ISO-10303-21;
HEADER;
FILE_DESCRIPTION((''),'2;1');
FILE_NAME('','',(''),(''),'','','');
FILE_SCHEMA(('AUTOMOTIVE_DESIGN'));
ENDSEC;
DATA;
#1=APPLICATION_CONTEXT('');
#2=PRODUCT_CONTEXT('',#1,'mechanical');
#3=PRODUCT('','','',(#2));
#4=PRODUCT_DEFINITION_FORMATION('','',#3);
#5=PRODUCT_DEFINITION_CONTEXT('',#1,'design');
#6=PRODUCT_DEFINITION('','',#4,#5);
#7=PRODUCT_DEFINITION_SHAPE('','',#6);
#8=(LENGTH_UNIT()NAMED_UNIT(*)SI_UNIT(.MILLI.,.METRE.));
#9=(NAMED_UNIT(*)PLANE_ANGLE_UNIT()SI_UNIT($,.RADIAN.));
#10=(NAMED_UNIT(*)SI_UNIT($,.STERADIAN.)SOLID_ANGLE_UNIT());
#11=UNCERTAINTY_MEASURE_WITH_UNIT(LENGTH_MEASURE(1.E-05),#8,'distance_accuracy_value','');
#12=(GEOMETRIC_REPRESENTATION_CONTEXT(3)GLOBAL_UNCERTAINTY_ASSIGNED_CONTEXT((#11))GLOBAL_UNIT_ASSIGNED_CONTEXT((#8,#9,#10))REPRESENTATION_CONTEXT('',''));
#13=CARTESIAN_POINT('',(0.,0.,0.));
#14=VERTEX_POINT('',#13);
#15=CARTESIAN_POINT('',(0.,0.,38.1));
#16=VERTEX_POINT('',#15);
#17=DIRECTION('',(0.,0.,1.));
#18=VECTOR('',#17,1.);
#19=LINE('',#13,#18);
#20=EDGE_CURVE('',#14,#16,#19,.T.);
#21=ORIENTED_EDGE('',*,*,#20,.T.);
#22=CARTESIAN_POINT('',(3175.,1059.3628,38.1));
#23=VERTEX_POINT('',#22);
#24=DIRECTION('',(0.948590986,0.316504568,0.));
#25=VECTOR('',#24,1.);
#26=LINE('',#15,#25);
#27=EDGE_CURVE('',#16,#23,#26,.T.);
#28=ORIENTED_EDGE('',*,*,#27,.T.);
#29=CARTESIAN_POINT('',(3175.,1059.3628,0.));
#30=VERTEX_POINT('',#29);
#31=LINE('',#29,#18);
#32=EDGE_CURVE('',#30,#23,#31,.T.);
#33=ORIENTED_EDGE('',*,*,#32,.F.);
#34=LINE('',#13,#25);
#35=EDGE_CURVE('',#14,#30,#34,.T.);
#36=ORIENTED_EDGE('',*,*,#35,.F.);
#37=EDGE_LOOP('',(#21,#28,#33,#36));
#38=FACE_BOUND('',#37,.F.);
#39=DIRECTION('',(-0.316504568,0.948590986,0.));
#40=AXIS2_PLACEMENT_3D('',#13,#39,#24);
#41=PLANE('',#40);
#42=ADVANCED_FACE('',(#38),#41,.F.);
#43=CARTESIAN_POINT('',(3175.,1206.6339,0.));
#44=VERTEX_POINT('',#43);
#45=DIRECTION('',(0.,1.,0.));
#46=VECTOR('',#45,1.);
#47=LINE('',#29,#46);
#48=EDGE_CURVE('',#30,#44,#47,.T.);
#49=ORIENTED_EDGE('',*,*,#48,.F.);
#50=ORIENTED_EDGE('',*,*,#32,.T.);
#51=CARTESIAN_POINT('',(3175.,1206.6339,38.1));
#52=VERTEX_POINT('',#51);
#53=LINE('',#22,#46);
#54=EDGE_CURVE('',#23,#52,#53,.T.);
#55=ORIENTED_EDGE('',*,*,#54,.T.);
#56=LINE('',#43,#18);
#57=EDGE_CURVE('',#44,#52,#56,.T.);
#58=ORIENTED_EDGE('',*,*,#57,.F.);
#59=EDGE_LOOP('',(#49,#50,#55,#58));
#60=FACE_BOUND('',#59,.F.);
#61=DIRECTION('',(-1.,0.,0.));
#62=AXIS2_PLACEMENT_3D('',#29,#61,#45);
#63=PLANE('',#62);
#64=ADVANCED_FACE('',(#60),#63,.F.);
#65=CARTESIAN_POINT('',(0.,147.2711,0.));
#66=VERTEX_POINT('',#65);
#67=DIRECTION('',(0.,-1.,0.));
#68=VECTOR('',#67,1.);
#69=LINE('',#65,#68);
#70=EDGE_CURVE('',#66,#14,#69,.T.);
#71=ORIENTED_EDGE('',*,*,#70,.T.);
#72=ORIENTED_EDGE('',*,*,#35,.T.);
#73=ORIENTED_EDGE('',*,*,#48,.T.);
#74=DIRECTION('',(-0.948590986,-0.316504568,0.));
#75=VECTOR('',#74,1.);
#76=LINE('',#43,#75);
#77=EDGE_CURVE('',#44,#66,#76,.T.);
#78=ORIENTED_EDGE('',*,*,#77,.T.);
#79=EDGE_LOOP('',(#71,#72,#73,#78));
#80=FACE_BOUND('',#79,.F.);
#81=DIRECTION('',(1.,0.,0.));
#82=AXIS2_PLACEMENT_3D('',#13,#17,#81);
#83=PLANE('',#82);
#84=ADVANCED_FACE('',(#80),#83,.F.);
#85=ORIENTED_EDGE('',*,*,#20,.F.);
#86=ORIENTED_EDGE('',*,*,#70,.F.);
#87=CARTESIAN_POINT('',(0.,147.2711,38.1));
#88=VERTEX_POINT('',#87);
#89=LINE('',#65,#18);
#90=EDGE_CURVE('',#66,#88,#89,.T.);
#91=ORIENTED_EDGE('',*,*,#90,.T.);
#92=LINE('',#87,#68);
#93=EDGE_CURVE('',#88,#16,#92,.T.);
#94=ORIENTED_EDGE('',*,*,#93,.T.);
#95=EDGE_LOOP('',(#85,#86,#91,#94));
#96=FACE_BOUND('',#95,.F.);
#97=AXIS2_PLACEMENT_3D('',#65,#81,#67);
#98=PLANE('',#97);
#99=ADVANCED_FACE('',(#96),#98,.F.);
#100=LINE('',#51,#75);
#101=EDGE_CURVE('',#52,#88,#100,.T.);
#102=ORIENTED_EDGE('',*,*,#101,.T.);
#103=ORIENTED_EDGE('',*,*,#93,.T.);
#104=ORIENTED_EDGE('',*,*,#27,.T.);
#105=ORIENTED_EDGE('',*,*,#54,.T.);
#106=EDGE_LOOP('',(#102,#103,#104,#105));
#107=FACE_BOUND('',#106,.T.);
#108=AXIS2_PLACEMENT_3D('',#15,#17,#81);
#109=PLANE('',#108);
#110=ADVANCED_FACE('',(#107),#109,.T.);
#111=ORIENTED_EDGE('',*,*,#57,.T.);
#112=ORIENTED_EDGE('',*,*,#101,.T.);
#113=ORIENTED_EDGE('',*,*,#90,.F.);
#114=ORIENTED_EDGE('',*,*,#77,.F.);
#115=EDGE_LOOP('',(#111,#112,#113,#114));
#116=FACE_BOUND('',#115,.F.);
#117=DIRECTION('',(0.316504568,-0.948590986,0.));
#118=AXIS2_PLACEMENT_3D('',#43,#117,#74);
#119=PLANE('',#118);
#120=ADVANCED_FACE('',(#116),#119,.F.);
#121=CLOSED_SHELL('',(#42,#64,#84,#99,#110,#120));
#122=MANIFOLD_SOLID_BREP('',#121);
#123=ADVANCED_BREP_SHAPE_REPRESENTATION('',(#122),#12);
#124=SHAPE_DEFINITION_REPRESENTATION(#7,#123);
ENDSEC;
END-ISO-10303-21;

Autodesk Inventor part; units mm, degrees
ref_plane "YZ Plane" through (0, 0, 0) normal (1, 0, 0) x (0, 1, 0)
ref_plane "XZ Plane" through (0, 0, 0) normal (0, 1, 0) x (-1, 0, 0)
ref_plane "XY Plane" through (0, 0, 0) normal (0, 0, 1) x (1, 0, 0)
sketch "Sketch1" plane through (0, 0, 0) normal (0, 0, 1) x (1, 0, 0)
  line L0 (0, 0) -> (3175, 1059.3628)
  line L1 (3175, 1059.3628) -> (3175, 1206.6339)
  line L2 (3175, 1206.6339) -> (0, 147.2711)
  line L3 (0, 147.2711) -> (0, 0)
  line L4 (3175, 1059.3628) -> (3263.9, 1089.025)
  line L5 (3263.9, 1089.025) -> (3263.9, 1236.2961)
  line L6 (3263.9, 1236.2961) -> (3175, 1206.6339)
  dimension "d1" = 3175
  dimension "d4" = 139.7
  dimension "d5" = 3263.9
  dimension "d6" = 1089.025
extrude "Extrusion1" add sketch "Sketch1" along normal blind 38.1 contours L3 L2 L1 L0
properties part number "Ceiling_Joist" material "Wood (Birch)"
